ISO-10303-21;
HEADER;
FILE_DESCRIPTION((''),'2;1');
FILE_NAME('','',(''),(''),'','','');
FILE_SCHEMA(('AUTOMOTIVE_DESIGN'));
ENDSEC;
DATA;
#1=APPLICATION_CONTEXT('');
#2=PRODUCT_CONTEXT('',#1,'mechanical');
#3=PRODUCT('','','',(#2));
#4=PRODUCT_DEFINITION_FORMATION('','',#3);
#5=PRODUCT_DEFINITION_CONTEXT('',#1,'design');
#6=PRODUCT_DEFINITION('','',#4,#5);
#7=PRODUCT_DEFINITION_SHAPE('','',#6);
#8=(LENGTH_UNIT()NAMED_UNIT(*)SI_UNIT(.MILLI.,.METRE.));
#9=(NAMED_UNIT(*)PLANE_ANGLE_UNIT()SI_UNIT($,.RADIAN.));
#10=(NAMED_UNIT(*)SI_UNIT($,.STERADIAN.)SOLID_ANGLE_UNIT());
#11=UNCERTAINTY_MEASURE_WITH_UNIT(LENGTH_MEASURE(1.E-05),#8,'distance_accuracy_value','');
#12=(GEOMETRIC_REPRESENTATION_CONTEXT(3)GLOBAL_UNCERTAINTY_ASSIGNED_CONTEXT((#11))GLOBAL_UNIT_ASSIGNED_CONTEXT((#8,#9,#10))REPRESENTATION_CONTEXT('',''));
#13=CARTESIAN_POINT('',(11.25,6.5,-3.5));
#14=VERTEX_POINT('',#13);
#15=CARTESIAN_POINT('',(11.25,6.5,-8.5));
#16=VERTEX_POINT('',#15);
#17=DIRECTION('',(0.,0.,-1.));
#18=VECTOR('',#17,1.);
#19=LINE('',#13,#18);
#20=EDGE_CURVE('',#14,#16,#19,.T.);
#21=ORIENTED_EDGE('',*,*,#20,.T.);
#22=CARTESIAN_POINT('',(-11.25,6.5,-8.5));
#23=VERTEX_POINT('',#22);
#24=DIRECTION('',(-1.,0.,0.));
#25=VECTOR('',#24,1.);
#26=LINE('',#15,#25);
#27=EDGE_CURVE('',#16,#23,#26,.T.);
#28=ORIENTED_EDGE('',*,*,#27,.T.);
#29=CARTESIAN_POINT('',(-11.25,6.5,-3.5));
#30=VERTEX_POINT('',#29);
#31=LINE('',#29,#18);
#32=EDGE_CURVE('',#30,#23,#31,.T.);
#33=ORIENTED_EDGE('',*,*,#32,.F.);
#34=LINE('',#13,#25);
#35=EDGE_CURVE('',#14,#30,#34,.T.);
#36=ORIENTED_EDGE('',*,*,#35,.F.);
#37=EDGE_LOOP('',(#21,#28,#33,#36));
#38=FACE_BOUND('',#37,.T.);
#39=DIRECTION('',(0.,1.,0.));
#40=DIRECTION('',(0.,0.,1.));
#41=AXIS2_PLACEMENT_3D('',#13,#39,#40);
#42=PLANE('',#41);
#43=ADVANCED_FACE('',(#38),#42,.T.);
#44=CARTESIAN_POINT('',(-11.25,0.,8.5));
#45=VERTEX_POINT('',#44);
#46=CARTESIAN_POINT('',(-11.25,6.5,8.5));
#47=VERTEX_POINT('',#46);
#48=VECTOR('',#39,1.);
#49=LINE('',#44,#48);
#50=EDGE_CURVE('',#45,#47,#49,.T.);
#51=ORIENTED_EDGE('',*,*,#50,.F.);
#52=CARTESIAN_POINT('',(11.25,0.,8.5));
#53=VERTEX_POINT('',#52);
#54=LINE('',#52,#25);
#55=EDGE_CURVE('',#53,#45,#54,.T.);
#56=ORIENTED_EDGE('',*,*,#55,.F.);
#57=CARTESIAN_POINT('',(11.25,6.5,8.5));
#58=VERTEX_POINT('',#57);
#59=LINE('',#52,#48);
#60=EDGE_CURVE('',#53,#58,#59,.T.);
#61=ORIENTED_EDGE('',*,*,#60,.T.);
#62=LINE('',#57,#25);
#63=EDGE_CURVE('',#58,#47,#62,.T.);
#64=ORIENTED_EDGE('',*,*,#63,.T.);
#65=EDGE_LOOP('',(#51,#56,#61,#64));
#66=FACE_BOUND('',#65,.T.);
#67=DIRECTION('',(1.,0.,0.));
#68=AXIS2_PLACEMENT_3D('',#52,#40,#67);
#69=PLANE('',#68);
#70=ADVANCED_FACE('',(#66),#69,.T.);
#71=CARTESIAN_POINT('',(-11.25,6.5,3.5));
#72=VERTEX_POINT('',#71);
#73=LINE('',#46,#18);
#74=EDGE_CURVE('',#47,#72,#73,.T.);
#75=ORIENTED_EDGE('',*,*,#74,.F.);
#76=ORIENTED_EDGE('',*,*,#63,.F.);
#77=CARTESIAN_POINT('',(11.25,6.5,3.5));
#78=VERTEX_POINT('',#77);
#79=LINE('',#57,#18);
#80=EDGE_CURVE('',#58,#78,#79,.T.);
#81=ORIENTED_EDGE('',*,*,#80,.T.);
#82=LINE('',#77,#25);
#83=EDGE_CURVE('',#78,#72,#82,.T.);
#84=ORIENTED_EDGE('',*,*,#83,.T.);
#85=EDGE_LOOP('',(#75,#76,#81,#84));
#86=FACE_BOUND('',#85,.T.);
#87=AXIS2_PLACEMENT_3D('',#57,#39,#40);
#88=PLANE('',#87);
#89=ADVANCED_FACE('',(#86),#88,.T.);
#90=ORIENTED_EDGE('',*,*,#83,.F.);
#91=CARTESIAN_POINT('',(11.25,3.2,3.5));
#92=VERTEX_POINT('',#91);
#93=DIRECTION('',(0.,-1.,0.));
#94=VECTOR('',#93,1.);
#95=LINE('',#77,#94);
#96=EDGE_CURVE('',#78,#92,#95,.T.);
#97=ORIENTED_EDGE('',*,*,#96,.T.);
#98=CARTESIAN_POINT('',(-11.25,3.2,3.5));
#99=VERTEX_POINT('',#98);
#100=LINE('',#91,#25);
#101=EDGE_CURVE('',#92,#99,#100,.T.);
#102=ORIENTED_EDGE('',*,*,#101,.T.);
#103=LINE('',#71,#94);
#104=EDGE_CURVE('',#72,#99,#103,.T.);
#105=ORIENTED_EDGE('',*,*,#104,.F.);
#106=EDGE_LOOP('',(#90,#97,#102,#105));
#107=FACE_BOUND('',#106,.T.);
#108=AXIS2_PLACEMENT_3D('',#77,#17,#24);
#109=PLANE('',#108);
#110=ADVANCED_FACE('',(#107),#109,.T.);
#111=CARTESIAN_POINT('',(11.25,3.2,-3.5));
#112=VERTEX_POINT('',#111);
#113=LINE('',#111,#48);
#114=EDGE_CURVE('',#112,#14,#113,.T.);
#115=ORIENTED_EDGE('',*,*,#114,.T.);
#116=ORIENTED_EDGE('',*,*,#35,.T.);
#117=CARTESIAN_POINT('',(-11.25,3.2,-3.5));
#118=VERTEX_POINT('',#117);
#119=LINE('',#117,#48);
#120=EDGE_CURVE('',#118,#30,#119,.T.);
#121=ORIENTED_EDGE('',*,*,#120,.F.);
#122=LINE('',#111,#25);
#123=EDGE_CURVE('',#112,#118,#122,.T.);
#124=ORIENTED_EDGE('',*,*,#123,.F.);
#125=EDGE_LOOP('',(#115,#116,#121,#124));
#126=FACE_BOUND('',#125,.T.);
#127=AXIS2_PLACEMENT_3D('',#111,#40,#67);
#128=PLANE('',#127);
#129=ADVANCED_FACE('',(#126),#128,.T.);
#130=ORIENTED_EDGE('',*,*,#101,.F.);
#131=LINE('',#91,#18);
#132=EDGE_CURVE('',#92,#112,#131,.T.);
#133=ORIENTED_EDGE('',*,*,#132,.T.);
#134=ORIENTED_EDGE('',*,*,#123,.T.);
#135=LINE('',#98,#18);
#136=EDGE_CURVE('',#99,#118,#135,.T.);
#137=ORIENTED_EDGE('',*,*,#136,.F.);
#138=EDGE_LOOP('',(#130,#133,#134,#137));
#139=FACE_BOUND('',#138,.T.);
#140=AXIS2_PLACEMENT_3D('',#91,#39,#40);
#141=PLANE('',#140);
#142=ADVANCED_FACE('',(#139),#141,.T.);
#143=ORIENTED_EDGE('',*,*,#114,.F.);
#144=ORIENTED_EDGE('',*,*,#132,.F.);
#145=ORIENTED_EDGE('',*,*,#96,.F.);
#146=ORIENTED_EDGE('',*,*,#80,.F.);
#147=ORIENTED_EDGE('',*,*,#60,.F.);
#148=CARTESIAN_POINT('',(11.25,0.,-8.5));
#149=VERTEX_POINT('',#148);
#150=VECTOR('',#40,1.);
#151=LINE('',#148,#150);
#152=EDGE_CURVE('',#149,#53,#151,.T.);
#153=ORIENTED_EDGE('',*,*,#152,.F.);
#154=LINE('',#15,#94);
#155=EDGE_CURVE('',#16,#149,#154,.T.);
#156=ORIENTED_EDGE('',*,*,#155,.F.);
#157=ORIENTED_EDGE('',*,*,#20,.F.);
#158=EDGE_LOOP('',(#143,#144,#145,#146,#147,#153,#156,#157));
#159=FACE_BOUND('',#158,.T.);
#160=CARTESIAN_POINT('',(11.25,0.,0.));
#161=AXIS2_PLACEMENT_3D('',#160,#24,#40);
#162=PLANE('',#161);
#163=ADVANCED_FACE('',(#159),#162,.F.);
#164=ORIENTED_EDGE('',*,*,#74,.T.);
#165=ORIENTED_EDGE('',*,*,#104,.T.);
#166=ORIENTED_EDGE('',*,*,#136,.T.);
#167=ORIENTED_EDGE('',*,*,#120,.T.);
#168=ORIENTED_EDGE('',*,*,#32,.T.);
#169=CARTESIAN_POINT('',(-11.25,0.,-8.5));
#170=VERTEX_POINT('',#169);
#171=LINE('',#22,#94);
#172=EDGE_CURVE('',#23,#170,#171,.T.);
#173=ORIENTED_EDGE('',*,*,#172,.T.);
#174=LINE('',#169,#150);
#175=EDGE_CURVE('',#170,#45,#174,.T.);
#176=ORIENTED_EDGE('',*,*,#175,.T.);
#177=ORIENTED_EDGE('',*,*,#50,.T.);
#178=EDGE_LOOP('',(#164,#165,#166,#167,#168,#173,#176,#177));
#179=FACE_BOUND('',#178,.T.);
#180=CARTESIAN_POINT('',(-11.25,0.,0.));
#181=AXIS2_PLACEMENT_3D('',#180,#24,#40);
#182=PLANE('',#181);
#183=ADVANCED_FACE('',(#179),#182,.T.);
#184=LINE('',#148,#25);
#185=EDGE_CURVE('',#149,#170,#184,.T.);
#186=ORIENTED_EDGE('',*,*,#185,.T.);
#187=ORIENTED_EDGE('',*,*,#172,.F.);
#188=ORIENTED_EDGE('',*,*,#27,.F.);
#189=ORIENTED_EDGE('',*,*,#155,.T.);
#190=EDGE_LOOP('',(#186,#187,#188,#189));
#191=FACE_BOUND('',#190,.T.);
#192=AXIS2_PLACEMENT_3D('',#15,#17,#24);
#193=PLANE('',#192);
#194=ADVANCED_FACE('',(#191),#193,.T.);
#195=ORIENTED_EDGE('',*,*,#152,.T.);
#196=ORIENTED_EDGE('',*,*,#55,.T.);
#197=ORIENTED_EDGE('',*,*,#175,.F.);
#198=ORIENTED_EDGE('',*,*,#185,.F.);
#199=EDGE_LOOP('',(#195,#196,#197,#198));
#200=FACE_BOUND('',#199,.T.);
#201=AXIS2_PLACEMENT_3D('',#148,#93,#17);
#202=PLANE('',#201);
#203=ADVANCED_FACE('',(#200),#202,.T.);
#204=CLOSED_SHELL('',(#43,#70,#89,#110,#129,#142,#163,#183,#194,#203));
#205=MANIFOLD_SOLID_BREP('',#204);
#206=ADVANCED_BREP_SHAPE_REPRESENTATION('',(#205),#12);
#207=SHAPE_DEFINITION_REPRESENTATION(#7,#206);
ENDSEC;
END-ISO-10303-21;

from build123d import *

# Parameters (mm, degrees)
EXTRUDE_1_DEPTH = 22.5


with BuildPart() as part:
    # 草图1 → 凸台-拉伸1 (new body)
    with BuildSketch(Plane(origin=(-11.25, 0, 0), x_dir=(0, -1, 0), z_dir=(-1, 0, 0))):
        Polygon((-6.5, 3.5), (-3.2, 3.5), (-3.2, -3.5), (-6.5, -3.5), (-6.5, -8.5), (0, -8.5), (0, 8.5), (-6.5, 8.5), align=None)
    extrude(amount=-EXTRUDE_1_DEPTH)


solid = part.part
